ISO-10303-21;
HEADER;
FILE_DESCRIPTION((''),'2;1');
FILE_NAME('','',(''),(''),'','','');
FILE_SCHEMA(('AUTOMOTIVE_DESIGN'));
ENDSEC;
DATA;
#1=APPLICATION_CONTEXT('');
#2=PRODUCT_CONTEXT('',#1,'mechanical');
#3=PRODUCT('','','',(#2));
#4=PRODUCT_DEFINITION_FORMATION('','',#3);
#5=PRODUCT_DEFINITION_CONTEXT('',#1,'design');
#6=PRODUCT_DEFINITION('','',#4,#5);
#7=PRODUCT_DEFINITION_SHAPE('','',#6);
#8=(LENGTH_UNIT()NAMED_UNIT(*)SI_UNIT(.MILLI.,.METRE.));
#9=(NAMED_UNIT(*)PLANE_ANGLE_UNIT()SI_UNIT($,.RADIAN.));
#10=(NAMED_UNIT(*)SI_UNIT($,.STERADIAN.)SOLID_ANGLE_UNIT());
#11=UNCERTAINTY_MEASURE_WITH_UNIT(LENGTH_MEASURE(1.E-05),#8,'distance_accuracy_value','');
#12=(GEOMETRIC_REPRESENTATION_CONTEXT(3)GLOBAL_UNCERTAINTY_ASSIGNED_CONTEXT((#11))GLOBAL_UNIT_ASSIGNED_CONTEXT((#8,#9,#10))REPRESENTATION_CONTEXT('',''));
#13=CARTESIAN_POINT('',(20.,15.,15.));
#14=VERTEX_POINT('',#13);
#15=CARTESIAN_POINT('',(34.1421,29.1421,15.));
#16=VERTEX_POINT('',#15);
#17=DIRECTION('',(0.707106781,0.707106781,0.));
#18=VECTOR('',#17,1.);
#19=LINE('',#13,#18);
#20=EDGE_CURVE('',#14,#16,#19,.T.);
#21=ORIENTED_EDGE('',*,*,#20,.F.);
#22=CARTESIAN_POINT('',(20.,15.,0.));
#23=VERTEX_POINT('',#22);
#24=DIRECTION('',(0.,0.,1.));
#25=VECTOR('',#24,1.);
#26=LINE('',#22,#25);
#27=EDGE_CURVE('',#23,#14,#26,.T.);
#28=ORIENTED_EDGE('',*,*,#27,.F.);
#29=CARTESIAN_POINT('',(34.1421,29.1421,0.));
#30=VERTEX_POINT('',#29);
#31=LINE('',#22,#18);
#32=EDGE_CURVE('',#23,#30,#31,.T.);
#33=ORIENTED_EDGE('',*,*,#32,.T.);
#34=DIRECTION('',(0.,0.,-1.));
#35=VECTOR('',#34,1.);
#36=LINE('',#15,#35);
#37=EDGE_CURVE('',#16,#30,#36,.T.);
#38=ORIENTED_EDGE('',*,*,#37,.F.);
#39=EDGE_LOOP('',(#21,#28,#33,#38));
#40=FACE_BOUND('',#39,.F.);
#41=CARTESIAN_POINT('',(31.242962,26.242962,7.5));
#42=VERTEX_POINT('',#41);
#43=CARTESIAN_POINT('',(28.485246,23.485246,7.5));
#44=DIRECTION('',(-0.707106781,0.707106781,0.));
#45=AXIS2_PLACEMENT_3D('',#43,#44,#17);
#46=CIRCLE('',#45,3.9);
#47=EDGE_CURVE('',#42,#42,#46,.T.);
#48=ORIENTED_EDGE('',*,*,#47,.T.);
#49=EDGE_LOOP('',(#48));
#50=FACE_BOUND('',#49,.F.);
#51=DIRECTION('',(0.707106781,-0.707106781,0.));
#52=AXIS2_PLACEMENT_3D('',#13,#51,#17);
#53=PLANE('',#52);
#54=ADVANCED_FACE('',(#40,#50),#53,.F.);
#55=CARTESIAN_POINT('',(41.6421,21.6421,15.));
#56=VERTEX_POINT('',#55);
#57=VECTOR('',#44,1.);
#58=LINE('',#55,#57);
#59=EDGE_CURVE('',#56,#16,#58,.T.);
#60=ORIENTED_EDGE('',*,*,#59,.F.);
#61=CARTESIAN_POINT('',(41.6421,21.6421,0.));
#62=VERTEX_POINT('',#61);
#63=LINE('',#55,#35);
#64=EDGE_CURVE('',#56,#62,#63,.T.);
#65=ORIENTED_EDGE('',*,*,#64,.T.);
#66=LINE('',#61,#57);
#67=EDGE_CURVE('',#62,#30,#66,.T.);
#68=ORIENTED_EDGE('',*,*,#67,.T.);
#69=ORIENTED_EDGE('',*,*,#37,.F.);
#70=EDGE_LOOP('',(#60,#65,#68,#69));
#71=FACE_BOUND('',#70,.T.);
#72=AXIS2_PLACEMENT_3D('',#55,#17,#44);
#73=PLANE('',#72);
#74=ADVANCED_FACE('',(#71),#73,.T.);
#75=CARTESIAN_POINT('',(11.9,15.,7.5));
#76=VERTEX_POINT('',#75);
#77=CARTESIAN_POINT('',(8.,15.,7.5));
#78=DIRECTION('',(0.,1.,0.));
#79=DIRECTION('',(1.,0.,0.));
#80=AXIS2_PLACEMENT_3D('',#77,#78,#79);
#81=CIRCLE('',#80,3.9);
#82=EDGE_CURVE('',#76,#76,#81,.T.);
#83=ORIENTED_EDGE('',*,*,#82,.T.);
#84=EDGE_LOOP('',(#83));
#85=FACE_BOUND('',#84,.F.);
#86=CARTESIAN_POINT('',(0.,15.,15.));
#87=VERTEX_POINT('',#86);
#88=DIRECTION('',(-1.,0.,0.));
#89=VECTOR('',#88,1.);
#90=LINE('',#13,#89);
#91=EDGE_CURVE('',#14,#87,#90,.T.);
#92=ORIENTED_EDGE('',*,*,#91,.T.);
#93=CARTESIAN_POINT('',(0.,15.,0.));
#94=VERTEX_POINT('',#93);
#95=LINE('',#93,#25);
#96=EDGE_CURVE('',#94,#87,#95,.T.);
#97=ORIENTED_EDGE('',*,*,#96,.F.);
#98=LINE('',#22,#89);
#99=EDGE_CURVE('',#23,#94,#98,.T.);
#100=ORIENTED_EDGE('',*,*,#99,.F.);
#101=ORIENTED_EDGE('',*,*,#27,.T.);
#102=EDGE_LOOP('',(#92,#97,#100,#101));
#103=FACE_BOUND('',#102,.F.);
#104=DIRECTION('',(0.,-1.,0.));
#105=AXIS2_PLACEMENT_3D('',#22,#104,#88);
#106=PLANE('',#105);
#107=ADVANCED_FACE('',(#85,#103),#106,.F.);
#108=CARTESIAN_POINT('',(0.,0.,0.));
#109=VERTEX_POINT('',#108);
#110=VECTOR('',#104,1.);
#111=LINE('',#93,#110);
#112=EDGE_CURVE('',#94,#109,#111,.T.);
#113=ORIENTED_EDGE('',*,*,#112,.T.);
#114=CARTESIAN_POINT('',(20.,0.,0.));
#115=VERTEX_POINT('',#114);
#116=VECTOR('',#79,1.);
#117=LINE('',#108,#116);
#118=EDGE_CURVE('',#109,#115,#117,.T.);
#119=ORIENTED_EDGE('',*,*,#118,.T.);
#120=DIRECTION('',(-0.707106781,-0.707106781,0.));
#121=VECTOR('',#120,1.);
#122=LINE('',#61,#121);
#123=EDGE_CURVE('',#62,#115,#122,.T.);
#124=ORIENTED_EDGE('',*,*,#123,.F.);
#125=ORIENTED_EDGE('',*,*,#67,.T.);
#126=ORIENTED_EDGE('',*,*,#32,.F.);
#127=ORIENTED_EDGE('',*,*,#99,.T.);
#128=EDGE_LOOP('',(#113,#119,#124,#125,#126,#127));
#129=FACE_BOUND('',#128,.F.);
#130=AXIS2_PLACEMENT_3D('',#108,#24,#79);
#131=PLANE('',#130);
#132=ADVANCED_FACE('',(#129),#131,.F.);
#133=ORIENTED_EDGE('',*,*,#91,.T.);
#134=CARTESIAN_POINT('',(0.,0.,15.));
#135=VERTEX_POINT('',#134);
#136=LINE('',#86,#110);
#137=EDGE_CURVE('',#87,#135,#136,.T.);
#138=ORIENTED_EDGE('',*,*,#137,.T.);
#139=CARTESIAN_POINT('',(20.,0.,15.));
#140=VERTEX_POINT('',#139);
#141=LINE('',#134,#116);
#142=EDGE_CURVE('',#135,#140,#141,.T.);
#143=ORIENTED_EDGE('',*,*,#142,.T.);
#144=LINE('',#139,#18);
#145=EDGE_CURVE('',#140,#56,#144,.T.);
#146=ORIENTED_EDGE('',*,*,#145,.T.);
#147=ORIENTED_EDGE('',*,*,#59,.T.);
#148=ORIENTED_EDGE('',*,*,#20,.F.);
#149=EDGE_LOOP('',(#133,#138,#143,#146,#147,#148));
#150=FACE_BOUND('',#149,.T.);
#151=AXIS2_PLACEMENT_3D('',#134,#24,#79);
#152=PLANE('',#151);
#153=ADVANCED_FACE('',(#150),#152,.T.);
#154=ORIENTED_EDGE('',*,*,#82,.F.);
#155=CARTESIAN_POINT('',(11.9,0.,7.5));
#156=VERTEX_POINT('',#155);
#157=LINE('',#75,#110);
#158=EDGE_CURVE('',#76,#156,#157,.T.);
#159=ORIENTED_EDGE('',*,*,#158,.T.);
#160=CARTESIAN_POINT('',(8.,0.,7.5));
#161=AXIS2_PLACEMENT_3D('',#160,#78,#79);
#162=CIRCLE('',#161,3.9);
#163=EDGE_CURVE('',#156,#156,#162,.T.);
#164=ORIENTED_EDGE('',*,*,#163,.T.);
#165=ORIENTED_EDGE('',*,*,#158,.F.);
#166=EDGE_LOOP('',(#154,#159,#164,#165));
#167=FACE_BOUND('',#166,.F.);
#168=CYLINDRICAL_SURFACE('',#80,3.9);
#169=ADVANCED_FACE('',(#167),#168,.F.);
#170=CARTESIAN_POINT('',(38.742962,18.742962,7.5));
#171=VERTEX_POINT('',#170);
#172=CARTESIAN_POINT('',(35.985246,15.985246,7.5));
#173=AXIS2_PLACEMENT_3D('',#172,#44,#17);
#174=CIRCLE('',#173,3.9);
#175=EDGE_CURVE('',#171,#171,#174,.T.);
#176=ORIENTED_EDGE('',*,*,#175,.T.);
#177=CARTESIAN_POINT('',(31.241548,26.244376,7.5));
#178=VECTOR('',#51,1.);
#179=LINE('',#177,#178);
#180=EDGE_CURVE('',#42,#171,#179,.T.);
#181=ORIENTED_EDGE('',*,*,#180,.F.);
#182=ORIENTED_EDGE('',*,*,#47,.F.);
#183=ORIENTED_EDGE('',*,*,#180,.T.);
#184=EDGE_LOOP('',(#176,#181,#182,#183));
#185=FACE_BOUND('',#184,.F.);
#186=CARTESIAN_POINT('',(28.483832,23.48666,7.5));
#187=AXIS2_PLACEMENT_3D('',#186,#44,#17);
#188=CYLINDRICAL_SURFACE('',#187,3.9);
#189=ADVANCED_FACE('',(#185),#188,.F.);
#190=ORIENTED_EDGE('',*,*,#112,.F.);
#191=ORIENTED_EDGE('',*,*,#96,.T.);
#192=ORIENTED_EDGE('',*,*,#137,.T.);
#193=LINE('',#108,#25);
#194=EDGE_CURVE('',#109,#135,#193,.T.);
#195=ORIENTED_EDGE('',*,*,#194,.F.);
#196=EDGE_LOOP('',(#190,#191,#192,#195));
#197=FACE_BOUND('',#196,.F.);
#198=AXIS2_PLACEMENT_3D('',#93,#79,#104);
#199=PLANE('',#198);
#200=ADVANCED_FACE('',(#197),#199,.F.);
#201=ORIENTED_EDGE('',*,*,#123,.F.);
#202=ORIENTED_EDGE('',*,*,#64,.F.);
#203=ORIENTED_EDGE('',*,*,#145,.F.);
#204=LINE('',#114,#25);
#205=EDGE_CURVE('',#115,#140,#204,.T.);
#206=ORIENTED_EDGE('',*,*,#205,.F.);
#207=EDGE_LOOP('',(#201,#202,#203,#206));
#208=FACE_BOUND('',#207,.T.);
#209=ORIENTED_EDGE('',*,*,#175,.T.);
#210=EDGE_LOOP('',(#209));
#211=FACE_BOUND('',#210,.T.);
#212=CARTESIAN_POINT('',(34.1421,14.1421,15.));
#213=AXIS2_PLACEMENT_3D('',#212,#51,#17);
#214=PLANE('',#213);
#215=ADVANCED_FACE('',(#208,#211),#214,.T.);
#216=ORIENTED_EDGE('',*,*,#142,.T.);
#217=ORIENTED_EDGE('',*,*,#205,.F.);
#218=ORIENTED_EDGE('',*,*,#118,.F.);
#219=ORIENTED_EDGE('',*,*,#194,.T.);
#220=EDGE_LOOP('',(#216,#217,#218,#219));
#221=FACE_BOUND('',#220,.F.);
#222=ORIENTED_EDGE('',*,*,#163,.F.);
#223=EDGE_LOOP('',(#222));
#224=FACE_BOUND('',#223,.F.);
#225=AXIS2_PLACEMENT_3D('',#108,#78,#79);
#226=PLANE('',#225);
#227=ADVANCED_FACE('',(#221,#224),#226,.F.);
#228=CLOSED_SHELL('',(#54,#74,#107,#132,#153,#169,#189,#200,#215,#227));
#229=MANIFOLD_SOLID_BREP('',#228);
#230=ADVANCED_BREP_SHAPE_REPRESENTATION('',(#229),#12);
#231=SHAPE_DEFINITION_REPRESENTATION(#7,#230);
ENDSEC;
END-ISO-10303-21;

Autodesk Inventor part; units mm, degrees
ref_plane "YZ Plane" through (0, 0, 0) normal (1, 0, 0) x (0, 1, 0)
ref_plane "XZ Plane" through (0, 0, 0) normal (0, 1, 0) x (-1, 0, 0)
ref_plane "XY Plane" through (0, 0, 0) normal (0, 0, 1) x (1, 0, 0)
sketch "Sketch1" plane through (0, 0, 0) normal (0, 0, 1) x (1, 0, 0)
  line L0 (0, 0) -> (20, 0)
  line L1 (20, 0) -> (20, 15)
  line L2 (20, 15) -> (0, 15)
  line L3 (0, 15) -> (0, 0)
  dimension "d0" = 20
  dimension "d1" = 15
extrude "Extrusion1" add sketch "Sketch1" along normal blind 15
sketch "Sketch2" plane through (0, 15, 0) normal (0, 1, 0) x (1, 0, 0)
  line L0 (0, 0) -> (0, -15) projected
  circle A0 centre (8, -7.5) radius 3.9
  dimension "d4" = 7.8
  dimension "d6" = 8
extrude "Extrusion2" cut sketch "Sketch2" against normal blind 15
sketch "Sketch3" plane through (0, 0, 15) normal (0, 0, 1) x (1, 0, 0)
  line L0 (0, 0) -> (20, 0) projected
  line L1 (20, 0) -> (20, 15) projected
  line L2 (20, 0) -> (34.1421, 14.1421)
  line L3 (20, 15) -> (34.1421, 29.1421)
  line L4 (34.1421, 14.1421) -> (41.6421, 21.6421)
  line L5 (41.6421, 21.6421) -> (34.1421, 29.1421)
  dimension "d9" = 45
  dimension "d10" = 20
  dimension "d11" = 20
extrude "Extrusion3" add sketch "Sketch3" against normal blind 15
sketch "Sketch4" plane through (34.1421, 29.1421, 15) normal (-0.7071, 0.7071, 0) x (0.7071, 0.7071, 0)
  line L0 (0, 0) -> (0, 15) projected
  circle A0 centre (-8, 7.5) radius 3.9
  point P0 (-44.7487, 15)
  dimension "d14" = 7.8
  dimension "d16" = 8
extrude "Extrusion4" cut sketch "Sketch4" against normal blind 15
properties part number "connect stepper"
